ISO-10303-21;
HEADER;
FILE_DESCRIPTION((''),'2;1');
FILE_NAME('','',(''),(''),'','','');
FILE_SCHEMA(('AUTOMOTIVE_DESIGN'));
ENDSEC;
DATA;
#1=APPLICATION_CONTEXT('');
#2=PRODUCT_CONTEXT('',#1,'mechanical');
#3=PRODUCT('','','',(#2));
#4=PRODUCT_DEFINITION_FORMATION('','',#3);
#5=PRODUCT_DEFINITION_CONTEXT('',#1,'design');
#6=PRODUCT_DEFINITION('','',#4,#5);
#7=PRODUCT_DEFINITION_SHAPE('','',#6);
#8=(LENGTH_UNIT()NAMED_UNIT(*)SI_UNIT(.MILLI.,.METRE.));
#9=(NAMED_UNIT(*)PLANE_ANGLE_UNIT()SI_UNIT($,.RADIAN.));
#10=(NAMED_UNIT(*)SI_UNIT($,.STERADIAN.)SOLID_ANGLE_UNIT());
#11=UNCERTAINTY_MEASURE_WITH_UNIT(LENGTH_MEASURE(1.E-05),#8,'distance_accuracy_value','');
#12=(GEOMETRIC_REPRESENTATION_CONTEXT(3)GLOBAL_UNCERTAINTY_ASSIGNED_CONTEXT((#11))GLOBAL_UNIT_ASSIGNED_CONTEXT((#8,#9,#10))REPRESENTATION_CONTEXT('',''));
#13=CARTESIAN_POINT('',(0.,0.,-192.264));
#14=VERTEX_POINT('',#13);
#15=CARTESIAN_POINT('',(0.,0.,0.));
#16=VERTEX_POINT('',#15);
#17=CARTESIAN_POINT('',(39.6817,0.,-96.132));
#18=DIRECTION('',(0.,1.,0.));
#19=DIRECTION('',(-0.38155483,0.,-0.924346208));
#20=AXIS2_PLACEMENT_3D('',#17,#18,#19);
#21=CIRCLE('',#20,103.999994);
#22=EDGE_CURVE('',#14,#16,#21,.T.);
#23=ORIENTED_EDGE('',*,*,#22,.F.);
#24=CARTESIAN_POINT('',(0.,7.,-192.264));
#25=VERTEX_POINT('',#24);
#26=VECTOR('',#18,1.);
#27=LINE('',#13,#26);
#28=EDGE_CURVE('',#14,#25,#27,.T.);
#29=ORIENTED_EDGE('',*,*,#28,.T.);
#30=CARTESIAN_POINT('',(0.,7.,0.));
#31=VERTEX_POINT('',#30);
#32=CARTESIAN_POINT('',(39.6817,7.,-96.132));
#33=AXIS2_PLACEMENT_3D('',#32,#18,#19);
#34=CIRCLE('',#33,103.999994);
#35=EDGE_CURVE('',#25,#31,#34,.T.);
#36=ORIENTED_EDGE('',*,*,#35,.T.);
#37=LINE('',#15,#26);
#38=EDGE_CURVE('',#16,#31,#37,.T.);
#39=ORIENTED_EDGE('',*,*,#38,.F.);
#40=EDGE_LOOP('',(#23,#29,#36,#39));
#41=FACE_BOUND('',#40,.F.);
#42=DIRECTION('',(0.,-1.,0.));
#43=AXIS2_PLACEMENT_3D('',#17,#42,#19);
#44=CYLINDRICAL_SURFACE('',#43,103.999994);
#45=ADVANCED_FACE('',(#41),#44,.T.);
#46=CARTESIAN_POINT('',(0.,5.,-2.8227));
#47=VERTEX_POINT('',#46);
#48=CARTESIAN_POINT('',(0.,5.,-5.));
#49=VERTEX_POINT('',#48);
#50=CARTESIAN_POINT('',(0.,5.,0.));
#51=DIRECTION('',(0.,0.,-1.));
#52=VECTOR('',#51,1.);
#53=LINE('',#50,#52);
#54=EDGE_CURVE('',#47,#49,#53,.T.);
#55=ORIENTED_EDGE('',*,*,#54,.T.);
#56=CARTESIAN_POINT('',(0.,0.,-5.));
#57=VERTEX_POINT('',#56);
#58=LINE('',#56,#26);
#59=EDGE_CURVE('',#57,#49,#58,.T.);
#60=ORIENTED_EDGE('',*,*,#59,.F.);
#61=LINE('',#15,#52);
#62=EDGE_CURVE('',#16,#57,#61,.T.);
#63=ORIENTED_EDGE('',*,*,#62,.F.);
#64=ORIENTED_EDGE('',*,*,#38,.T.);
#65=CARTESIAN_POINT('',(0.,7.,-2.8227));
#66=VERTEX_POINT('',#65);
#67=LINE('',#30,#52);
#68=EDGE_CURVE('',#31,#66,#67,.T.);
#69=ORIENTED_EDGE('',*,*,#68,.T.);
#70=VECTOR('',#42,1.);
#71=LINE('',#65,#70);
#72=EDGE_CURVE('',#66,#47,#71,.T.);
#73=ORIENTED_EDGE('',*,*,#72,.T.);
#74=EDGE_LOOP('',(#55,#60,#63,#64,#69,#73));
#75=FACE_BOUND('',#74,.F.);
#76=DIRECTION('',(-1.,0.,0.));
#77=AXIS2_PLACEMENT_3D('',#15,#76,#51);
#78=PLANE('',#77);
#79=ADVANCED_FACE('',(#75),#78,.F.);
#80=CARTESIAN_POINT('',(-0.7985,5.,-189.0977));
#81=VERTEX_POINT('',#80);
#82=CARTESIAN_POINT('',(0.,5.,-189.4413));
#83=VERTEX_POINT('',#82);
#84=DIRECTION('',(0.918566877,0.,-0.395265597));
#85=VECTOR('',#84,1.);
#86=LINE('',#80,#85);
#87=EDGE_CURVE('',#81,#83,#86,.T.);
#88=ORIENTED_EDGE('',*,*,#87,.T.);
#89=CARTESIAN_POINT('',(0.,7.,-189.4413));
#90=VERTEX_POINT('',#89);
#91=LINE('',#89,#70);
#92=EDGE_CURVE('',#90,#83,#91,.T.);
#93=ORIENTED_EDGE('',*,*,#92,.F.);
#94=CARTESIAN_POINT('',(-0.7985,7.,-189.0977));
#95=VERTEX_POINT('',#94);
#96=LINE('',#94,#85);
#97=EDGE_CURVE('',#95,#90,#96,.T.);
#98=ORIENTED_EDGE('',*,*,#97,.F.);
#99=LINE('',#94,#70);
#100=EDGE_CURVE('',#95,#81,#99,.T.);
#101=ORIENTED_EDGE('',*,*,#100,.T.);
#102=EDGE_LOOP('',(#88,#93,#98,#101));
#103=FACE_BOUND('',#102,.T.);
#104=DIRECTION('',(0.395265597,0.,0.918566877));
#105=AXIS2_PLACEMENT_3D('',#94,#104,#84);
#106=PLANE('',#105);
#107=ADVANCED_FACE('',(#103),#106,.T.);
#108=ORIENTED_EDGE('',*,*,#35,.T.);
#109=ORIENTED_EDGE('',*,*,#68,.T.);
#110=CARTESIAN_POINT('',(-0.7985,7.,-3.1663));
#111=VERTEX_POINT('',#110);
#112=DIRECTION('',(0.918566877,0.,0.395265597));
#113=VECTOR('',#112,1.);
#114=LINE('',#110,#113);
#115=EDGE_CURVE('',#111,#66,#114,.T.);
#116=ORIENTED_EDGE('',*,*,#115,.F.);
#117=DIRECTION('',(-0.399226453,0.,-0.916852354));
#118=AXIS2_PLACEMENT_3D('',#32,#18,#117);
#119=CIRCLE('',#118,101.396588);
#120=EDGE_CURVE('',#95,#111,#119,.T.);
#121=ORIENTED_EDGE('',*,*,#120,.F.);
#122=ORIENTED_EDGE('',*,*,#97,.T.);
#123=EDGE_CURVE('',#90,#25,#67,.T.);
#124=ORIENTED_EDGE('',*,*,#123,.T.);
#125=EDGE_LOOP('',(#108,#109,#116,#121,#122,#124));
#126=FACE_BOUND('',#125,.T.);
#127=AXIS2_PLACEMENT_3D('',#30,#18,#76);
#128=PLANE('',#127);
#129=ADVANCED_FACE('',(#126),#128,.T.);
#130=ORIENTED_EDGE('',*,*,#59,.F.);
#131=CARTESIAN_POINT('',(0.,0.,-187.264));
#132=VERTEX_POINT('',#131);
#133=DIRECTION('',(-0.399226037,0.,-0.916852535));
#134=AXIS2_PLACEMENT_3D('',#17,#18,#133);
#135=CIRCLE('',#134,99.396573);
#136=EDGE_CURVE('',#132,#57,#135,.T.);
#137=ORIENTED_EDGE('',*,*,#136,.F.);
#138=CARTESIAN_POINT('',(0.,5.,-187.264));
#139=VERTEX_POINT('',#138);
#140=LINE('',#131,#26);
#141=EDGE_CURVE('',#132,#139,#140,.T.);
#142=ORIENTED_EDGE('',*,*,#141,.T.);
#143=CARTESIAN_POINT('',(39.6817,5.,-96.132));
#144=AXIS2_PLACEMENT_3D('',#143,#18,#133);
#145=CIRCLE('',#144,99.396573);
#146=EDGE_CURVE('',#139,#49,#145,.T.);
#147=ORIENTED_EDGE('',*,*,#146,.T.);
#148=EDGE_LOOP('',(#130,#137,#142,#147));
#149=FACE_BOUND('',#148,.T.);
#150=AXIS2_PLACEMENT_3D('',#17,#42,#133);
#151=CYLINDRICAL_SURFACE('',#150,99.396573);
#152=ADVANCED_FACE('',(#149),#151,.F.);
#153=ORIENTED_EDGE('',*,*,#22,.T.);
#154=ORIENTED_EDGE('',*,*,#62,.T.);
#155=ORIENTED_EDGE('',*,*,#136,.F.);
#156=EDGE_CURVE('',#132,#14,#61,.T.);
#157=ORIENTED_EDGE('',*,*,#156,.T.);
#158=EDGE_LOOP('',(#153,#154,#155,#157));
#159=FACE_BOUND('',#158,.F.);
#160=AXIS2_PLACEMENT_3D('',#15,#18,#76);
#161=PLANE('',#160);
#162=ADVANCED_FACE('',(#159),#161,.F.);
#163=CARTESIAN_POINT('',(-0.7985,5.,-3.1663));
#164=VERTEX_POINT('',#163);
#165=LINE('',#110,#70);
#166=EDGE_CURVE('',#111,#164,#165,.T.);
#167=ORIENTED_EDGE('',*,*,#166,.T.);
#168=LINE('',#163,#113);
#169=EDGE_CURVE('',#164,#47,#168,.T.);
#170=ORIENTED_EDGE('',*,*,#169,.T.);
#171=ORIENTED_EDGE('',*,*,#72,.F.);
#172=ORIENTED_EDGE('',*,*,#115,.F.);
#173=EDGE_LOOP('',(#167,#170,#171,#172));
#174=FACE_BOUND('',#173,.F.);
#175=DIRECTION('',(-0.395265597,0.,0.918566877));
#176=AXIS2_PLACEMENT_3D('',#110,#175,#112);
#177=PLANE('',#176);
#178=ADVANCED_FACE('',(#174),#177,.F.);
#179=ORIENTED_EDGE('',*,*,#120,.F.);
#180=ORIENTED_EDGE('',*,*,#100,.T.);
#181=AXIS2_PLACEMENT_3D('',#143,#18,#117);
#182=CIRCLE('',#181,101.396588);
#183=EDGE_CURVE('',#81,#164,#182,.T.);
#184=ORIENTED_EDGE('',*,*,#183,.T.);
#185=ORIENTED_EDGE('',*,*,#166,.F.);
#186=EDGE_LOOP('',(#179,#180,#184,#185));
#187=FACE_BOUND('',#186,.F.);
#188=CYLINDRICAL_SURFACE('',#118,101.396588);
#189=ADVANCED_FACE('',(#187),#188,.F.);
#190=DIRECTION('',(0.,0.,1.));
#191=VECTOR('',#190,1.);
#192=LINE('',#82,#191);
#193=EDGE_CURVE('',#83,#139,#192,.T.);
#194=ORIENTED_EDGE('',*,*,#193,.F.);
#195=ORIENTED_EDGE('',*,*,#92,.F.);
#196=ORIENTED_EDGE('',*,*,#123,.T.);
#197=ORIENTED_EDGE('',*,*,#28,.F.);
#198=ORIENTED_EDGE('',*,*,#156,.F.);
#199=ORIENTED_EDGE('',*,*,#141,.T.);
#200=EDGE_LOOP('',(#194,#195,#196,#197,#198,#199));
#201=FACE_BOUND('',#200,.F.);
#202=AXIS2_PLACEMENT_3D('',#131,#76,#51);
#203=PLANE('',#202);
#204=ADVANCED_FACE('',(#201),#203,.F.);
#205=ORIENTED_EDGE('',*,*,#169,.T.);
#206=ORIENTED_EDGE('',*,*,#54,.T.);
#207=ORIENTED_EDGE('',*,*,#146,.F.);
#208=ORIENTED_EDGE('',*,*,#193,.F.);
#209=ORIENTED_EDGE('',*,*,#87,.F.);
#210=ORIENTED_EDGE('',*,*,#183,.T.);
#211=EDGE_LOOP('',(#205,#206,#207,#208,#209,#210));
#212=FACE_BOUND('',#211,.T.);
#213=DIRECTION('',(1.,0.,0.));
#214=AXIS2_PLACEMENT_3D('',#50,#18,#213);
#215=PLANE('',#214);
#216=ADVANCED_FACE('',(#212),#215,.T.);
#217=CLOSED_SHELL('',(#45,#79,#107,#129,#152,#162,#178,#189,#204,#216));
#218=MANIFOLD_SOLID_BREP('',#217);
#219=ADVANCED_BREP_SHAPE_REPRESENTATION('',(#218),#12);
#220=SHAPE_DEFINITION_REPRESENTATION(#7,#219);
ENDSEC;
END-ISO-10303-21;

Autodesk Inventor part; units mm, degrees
ref_plane "YZ Plane" through (0, 0, 0) normal (1, 0, 0) x (0, 1, 0)
ref_plane "XZ Plane" through (0, 0, 0) normal (0, 1, 0) x (-1, 0, 0)
ref_plane "XY Plane" through (0, 0, 0) normal (0, 0, 1) x (1, 0, 0)
sketch "Эскиз1" plane through (0, 0, 0) normal (0, 1, 0) x (-1, 0, 0)
  line L0 (0, 0) -> (0, -192.264)
  arc A0 (0, -192.264) -> (0, 0) centre (-39.6817, -96.132) ccw
  line L1 (0, 0) -> (0, -5)
  line L2 (0, -192.264) -> (0, -187.264)
  arc A1 (0, -187.264) -> (0, -5) centre (-39.6817, -96.132) ccw
  dimension "d0" = 192.264
  dimension "d1" = 104
  dimension "d2" = 5
  dimension "d3" = 5
  dimension "d4" = 99.3966
extrude "Выдавливание1" add sketch "Эскиз1" along normal blind 7 contours A0 L0 A1
sketch "Эскиз2" plane through (0, 7, 0) normal (0, 1, 0) x (1, 0, 0)
  arc A0 (0, 187.264) -> (0, 5) centre (39.6817, 96.132) ccw projected
  arc A1 (-0.7985, 189.0977) -> (-0.7985, 3.1663) centre (39.6817, 96.132) ccw
  line L0 (-0.7985, 3.1663) -> (0, 2.8227)
  line L1 (-0.7985, 189.0977) -> (0, 189.4413)
  line L2 (0, 0) -> (0, 5) projected
  line L3 (0, 2.8227) -> (0, 5)
  line L4 (0, 189.4413) -> (0, 187.264)
  arc A2 (0, 187.264) -> (0, 5) centre (39.6817, 96.132) ccw
  dimension "d8" = 2
extrude "Выдавливание2" cut sketch "Эскиз2" against normal blind 2
sketch "Эскиз3" plane through (0, 0, 0) normal (1, 0, 0) x (0, 1, 0)
  line L0 (5, -91.132) -> (0, -91.132)
  line L1 (0, -91.132) -> (0, -101.132)
  line L2 (0, -101.132) -> (5, -101.132)
  line L3 (5, -101.132) -> (5, -91.132)
  line L4 (0, -187.264) -> (5, -187.264) projected
  point P0 (2.5, -187.264)
  point P1 (2.5, -101.132)
  dimension "d11" = 5
  dimension "d12" = 10
  dimension "d13" = 86.132
